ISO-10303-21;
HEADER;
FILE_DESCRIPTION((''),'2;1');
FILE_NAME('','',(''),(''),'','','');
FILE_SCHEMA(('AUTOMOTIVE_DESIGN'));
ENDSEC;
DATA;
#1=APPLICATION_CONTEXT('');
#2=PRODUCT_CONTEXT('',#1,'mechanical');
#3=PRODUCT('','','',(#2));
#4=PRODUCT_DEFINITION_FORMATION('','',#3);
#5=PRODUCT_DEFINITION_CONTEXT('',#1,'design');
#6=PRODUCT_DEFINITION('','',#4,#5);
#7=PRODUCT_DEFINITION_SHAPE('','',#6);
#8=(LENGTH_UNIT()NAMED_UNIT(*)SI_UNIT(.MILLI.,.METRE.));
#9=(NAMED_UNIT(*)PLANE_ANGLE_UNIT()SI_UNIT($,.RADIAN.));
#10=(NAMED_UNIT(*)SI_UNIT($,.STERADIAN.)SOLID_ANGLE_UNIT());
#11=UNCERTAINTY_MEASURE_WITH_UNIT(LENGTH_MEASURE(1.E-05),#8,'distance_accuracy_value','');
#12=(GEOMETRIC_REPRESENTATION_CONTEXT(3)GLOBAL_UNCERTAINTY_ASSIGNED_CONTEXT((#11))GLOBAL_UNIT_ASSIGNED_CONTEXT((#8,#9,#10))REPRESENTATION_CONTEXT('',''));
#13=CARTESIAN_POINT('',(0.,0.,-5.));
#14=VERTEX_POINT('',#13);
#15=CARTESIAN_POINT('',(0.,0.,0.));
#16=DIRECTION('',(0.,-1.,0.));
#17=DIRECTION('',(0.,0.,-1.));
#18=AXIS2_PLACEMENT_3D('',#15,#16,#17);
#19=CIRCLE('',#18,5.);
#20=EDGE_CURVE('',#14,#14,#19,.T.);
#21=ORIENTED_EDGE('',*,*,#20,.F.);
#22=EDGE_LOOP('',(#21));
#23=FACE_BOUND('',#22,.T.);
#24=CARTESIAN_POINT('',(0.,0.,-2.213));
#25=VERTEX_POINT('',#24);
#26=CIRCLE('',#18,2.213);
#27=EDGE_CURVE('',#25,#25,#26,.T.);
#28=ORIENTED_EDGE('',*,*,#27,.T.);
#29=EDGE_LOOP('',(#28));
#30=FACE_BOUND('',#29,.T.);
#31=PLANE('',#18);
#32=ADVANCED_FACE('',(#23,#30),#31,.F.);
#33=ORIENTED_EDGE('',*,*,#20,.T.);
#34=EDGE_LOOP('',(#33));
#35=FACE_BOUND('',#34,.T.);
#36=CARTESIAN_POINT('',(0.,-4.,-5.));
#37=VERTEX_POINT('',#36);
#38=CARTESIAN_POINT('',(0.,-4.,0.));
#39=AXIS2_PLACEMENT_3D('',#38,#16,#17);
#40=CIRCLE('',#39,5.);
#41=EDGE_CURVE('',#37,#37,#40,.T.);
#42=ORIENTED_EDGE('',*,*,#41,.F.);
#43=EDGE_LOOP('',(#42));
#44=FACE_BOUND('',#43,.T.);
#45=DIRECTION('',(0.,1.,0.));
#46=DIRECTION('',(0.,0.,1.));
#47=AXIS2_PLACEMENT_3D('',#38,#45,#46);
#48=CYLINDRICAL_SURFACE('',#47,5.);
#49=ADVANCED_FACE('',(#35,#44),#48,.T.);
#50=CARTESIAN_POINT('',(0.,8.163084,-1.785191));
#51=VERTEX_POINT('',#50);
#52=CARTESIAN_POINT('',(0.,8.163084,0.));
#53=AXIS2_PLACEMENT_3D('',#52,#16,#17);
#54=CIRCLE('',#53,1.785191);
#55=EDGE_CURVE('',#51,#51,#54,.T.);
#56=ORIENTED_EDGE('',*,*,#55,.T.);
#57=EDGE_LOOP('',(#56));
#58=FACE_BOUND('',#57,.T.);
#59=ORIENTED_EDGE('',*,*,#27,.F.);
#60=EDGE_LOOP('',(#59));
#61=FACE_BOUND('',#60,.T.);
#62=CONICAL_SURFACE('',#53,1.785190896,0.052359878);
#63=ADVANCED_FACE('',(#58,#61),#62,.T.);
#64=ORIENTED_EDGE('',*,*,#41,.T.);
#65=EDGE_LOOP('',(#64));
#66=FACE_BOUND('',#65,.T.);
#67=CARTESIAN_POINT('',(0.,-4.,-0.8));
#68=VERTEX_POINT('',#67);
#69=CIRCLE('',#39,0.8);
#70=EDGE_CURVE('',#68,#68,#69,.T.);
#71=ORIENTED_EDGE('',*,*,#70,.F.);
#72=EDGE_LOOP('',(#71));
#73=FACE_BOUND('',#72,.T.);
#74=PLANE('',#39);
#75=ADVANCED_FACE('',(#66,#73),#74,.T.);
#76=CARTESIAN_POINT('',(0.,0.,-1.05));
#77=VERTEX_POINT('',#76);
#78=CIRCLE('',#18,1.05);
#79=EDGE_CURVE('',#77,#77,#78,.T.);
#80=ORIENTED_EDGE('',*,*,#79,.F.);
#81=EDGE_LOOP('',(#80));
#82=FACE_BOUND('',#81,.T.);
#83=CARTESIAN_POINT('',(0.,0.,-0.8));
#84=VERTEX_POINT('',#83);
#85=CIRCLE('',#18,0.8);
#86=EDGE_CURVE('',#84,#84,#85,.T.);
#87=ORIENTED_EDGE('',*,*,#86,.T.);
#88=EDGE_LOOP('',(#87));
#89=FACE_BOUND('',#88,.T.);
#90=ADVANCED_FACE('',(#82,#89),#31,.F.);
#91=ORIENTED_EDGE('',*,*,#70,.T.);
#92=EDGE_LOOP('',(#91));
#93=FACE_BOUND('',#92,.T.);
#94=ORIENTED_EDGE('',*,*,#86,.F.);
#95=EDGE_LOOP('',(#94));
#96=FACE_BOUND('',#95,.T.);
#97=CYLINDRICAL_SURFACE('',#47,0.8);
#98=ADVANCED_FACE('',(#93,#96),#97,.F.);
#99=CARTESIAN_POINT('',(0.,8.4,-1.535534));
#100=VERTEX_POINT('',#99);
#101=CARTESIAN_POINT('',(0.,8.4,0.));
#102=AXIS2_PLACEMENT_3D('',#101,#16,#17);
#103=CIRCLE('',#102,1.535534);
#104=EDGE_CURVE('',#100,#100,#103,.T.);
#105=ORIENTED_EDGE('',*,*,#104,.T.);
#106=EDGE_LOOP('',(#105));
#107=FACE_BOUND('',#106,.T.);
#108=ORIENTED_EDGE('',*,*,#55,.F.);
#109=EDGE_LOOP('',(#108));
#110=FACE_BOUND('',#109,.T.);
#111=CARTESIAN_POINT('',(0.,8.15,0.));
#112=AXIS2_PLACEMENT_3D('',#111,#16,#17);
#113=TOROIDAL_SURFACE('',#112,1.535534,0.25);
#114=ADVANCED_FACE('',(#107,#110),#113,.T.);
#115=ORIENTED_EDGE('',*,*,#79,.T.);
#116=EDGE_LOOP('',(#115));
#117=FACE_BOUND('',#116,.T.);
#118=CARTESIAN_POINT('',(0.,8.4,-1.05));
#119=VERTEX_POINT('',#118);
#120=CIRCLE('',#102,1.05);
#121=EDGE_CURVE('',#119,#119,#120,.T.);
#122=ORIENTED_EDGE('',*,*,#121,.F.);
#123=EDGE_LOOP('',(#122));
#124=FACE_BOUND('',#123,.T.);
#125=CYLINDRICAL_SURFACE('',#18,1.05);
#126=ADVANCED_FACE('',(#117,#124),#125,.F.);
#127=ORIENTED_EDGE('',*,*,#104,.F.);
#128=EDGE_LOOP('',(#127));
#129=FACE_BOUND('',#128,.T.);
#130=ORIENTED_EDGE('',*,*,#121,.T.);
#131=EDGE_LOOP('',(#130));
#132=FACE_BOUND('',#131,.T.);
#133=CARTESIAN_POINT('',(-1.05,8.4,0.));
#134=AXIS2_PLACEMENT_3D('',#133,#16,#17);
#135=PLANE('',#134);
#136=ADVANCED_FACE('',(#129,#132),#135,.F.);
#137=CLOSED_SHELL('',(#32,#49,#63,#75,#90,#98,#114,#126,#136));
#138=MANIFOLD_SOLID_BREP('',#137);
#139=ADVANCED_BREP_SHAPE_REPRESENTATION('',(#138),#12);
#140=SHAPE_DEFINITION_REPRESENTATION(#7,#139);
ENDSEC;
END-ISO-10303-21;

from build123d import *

# Parameters (mm, degrees)
SKETCH3_R           = 5
SKETCH3_R_2         = 0.8
BOSS_EXTRUDE1_DEPTH = 4


with BuildPart() as part:
    # Sketch2 → luer (revolve)
    with BuildSketch(Plane.XY, mode=Mode.PRIVATE) as luer_sk:
        with BuildLine():
            Line((-1.05, 0), (-2.213, 0))
            Line((-2.213, 0), (-1.785190896, 8.163083989))
            ThreePointArc((-1.785190896, 8.163083989), (-1.707622156, 8.331343593), (-1.535533512, 8.4))
            Line((-1.535533512, 8.4), (-1.05, 8.4))
            Line((-1.05, 8.4), (-1.05, 0))
        make_face()
    revolve(luer_sk.sketch.rotate(Axis((0, 0, 0), (0, 1, 0)), 270), axis=Axis((0, 0, 0), (0, 1, 0)))

    # Sketch3 → Boss-Extrude1 (add)
    with BuildSketch(Plane.XZ):
        with Locations(Location((0, 0, 0), (0, 0, 270))):
            Circle(SKETCH3_R)
        with Locations(Location((0, 0, 0), (0, 0, 270))):
            Circle(SKETCH3_R_2, mode=Mode.SUBTRACT)
    extrude(amount=BOSS_EXTRUDE1_DEPTH)


solid = part.part
